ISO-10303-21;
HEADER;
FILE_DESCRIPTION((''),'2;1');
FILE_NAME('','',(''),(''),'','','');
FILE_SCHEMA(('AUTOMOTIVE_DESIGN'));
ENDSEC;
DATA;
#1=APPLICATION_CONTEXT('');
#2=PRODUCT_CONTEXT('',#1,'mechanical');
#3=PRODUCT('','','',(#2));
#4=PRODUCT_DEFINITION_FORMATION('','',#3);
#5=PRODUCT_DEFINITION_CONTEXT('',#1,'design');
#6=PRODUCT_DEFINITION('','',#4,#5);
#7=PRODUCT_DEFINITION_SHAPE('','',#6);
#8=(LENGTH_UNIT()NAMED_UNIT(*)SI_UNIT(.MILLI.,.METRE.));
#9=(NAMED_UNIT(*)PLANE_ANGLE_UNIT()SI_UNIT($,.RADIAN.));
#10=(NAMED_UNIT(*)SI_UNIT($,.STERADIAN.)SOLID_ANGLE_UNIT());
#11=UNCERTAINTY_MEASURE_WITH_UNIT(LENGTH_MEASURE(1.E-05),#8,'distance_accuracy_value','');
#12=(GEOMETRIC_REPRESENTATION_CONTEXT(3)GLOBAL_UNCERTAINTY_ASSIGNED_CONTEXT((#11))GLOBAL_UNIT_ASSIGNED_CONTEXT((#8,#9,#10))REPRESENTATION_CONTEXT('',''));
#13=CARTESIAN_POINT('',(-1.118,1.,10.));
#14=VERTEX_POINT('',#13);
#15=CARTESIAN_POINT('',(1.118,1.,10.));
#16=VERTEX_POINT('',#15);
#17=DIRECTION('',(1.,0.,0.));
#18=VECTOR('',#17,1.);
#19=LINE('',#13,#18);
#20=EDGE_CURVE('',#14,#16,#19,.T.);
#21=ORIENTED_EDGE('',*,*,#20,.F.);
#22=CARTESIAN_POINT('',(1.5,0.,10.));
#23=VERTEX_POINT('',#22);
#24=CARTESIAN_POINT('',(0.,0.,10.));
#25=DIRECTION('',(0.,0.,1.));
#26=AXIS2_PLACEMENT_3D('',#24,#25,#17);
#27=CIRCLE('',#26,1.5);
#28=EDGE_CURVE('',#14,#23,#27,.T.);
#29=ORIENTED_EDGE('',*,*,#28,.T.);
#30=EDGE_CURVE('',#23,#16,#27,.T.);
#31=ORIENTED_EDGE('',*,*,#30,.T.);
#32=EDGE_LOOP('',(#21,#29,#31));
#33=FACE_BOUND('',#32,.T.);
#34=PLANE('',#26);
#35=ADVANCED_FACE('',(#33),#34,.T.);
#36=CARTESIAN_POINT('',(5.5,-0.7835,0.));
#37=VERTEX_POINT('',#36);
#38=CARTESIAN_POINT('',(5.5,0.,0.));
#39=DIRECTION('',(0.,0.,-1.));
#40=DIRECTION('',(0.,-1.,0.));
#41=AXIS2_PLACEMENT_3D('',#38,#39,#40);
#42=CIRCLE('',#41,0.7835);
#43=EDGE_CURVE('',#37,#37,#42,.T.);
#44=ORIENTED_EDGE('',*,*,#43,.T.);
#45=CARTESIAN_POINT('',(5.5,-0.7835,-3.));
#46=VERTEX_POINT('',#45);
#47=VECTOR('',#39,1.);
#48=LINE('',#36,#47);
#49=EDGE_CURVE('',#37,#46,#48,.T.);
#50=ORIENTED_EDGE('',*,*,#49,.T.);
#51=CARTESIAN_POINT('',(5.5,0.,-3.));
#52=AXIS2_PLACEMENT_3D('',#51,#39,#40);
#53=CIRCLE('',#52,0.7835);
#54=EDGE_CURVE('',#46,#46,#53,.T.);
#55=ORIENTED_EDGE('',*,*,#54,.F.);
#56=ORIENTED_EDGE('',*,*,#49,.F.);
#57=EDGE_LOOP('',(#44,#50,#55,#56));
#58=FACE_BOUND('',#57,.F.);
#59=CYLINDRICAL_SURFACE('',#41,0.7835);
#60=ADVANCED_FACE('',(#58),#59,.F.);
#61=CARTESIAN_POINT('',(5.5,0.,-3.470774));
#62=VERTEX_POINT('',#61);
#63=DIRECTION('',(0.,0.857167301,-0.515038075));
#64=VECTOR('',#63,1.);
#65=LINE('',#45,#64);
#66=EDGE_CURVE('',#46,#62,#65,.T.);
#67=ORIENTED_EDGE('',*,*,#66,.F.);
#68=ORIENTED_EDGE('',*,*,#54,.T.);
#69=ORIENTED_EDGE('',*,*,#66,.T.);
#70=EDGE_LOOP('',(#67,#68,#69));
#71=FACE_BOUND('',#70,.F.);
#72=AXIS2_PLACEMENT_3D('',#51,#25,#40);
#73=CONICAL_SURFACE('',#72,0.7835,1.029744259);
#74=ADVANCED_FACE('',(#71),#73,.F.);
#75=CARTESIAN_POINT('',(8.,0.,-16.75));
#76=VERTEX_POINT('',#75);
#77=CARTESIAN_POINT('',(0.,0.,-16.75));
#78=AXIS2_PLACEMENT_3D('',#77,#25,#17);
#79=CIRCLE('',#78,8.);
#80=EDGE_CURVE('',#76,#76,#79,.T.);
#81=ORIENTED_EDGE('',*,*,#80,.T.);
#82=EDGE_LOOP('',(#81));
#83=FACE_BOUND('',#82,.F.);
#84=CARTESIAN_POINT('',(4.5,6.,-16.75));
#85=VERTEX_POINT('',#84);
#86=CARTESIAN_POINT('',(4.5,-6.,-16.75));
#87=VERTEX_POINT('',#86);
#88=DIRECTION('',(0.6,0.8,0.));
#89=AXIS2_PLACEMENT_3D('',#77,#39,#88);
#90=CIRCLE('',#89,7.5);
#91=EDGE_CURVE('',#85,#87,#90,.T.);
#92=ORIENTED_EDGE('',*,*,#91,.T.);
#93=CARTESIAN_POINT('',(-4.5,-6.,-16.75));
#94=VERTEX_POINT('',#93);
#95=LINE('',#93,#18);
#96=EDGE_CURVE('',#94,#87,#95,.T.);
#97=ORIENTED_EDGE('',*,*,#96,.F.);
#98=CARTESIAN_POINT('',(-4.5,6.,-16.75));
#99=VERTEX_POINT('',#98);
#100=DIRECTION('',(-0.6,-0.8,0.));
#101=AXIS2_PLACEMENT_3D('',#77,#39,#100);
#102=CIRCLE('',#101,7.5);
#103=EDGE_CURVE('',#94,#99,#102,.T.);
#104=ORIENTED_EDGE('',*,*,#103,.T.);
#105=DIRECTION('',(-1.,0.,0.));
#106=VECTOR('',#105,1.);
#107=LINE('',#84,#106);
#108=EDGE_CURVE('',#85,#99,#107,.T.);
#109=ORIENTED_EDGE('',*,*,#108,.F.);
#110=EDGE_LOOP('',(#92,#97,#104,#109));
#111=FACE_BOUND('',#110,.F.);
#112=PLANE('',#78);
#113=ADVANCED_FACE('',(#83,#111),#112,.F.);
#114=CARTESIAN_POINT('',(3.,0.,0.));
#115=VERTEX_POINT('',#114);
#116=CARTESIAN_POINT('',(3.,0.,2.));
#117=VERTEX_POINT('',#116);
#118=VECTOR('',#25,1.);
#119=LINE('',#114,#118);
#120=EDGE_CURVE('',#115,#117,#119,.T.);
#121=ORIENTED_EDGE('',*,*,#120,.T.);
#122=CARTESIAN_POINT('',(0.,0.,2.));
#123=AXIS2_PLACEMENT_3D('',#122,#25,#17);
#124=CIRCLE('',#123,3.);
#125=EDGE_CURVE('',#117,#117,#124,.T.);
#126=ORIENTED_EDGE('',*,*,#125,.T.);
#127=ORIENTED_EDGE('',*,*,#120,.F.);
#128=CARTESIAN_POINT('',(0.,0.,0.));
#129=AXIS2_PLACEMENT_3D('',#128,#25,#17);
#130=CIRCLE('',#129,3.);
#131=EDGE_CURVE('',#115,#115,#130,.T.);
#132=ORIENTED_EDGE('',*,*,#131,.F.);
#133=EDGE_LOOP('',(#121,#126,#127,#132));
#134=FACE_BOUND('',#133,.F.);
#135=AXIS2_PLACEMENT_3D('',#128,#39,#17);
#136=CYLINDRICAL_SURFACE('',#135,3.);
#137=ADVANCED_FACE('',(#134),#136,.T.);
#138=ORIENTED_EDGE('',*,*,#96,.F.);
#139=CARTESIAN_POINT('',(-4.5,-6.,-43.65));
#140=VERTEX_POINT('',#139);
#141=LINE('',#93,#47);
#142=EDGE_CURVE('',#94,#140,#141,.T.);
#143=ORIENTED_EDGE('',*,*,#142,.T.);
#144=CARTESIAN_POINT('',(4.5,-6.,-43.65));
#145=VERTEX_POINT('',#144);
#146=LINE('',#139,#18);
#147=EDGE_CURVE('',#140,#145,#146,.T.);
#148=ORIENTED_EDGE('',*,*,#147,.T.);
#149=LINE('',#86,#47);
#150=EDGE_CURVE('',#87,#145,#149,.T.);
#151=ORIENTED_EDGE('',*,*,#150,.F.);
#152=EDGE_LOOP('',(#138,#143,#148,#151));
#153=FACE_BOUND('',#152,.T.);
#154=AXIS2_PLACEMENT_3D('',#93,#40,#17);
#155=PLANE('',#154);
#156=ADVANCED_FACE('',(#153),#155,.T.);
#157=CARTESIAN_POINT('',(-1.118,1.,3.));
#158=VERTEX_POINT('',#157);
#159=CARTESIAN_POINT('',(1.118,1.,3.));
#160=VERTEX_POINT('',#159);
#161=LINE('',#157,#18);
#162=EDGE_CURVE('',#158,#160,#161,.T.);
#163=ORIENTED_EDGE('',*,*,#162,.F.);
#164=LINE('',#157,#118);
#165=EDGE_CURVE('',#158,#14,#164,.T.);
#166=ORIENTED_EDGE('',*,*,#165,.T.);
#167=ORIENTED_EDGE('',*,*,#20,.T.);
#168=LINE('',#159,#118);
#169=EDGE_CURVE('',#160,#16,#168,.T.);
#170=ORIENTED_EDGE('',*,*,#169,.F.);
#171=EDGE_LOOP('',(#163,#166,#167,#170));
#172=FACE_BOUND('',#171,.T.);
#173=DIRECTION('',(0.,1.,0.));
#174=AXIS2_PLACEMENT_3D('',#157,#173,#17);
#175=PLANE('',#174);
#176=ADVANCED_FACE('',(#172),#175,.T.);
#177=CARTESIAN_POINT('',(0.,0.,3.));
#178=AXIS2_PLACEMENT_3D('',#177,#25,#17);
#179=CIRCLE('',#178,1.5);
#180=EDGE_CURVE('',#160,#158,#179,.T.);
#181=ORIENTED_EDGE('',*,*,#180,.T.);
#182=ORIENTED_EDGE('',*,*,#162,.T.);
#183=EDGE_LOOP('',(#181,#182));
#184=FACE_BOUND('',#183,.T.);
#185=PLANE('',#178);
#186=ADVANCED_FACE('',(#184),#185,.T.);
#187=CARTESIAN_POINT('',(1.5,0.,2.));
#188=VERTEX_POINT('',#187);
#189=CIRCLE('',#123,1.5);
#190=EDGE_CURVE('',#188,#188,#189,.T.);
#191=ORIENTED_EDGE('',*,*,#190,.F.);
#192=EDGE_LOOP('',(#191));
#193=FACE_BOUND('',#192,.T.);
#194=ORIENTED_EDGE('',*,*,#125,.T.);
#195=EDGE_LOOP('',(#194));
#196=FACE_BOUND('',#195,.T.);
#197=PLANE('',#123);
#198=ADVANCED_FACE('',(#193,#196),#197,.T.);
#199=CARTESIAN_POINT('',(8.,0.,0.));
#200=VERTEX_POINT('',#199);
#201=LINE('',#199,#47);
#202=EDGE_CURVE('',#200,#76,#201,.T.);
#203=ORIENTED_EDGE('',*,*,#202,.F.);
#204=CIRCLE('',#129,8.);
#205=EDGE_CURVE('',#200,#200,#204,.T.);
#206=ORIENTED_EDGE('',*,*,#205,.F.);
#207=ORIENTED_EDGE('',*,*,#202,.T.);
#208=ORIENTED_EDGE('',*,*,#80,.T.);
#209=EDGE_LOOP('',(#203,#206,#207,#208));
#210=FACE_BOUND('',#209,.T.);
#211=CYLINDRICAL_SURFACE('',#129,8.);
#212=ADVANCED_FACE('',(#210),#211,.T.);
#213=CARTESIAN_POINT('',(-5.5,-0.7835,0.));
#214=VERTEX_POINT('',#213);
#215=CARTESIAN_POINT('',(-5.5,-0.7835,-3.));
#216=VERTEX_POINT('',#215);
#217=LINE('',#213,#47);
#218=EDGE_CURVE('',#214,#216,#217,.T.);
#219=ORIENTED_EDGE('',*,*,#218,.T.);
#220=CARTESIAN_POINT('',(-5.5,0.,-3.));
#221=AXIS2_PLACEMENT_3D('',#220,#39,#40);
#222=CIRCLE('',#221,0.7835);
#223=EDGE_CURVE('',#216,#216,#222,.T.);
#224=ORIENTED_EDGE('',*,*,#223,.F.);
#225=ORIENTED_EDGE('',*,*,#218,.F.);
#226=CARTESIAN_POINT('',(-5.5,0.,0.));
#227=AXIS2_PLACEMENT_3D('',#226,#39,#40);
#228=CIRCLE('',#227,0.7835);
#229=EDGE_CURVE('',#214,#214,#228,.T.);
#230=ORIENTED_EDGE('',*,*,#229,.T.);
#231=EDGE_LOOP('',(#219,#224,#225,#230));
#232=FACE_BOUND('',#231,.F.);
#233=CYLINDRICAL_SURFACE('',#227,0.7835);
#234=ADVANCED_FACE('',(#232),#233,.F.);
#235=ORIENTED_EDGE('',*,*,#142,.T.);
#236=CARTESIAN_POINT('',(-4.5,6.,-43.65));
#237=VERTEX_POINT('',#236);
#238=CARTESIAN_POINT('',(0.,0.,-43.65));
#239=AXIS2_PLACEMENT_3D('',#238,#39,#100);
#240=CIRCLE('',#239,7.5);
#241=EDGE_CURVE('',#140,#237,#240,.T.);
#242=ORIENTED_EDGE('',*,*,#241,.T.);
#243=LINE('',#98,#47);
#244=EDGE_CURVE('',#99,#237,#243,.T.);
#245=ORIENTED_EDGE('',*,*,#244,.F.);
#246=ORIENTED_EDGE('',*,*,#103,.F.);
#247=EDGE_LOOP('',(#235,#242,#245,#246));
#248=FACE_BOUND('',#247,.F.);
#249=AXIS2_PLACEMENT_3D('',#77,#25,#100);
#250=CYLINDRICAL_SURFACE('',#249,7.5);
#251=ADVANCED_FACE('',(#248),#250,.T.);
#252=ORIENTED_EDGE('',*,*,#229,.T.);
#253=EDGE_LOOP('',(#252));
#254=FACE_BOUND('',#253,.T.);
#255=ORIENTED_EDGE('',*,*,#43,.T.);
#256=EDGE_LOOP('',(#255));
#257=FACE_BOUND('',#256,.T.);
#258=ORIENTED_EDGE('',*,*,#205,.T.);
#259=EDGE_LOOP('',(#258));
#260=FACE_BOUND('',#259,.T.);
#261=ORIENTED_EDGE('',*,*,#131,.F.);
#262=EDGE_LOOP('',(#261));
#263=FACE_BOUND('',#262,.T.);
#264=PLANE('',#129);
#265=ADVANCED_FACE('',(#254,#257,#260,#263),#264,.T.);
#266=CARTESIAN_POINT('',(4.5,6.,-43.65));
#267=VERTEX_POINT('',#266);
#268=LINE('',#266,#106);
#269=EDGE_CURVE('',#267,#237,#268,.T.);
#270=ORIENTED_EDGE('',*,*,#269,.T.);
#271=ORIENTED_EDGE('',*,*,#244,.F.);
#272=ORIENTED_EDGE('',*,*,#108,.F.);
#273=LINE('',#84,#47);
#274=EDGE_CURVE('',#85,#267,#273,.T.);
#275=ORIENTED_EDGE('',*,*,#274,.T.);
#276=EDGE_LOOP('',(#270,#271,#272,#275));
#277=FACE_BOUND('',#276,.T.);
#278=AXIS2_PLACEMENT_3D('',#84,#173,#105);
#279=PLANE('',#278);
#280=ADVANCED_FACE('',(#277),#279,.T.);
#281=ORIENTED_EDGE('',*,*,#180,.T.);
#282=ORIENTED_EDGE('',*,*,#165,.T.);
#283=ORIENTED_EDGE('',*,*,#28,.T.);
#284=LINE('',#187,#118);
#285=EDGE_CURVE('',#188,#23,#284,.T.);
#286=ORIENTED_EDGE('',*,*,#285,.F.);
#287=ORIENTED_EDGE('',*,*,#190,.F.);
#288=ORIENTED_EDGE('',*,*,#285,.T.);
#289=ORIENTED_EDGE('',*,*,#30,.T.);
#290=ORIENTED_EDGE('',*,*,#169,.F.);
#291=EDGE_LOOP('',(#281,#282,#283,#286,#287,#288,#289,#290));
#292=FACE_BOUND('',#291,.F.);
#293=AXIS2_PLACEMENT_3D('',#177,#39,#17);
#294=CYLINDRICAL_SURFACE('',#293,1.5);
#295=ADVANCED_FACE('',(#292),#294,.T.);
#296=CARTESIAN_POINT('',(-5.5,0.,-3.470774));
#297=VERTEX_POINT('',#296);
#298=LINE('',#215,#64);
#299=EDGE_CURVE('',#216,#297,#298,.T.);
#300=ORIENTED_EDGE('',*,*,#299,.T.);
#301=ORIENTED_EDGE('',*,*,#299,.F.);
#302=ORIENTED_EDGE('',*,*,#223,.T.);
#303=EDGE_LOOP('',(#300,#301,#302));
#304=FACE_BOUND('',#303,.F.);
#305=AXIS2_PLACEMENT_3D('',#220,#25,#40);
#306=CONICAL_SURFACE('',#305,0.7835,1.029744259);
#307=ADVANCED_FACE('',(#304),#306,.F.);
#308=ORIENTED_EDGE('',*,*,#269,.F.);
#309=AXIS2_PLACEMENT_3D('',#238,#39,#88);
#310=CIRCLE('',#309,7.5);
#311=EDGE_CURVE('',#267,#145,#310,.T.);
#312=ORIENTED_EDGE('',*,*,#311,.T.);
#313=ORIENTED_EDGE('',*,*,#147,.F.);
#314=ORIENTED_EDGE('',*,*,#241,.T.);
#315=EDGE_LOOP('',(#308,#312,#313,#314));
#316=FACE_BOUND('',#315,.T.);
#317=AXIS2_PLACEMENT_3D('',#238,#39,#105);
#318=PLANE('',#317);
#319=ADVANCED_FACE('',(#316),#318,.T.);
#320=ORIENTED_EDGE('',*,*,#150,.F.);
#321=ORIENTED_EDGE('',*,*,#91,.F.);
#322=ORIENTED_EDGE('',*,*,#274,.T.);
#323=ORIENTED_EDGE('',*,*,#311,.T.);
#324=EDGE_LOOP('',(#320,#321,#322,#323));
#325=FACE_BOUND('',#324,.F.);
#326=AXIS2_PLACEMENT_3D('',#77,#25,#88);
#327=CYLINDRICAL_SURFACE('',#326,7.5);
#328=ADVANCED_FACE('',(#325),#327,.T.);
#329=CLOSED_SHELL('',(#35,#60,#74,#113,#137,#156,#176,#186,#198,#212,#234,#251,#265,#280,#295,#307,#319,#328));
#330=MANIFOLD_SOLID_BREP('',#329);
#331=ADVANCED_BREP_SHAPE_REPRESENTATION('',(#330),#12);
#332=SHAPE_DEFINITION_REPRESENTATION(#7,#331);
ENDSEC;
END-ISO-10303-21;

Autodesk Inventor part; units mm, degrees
ref_plane "YZ Plane" through (0, 0, 0) normal (1, 0, 0) x (0, 1, 0)
ref_plane "XZ Plane" through (0, 0, 0) normal (0, 1, 0) x (-1, 0, 0)
ref_plane "XY Plane" through (0, 0, 0) normal (0, 0, 1) x (1, 0, 0)
sketch "Skizze1" plane through (0, 0, 0) normal (0, 0, 1) x (1, 0, 0)
  circle A0 centre (0, 0) radius 8
  line L0 (-5.5, 0) -> (5.5, 0) construction
  circle A1 centre (0, 0) radius 3
  circle A2 centre (0, 0) radius 1.5
  arc A3 (-1.118, 1) -> (1.118, 1) centre (0, 0) ccw construction
  line L1 (-1.118, 1) -> (1.118, 1)
  dimension "d3" = 3
  dimension "d0" = 16
  dimension "d1" = 11
  dimension "d2" = 6
  dimension "d4" = 2.5
extrude "Extrusion1" add sketch "Skizze1" along normal blind 2 contours A1 | A2 L1 | L1 A2
sketch "Skizze2" plane through (0, 0, 2) normal (0, 0, 1) x (1, 0, 0)
  circle A0 centre (0, 0) radius 1.5 projected
extrude "Extrusion2" add sketch "Skizze2" along normal blind 1
sketch "Skizze3" plane through (0, 0, 3) normal (0, 0, 1) x (1, 0, 0)
  circle A0 centre (0, 0) radius 1.5 projected
  line L0 (-1.118, 1) -> (1.118, 1) projected
  circle A1 centre (0, 0) radius 1.5 projected
extrude "Extrusion3" add sketch "Skizze3" along normal blind 7 contours A0 L0 picked at (0.0594, 0.1702)
extrude "Extrusion4" add sketch "Skizze1" against normal blind 16.75 contours A0 | A1 | A2 L1 | L1 A2
sketch "Skizze4" plane through (0, 0, -16.75) normal (0, 0, -1) x (-1, 0, 0)
  circle A0 centre (0, 0) radius 8 projected
  arc A1 (-4.5, 6) -> (-4.5, -6) centre (0, 0) ccw
  arc A2 (4.5, -6) -> (4.5, 6) centre (0, 0) ccw
  line L0 (-4.5, 6) -> (4.5, 6)
  line L1 (4.5, -6) -> (-4.5, -6)
  dimension "d14" = 7.5
  dimension "d15" = 12
extrude "Extrusion5" add sketch "Skizze4" along normal blind 26.9 contours L0 A2 L1 A1
hole "Bohrung1" at (-5.5, 0, 0) at (5.5, 0, 0) direction (0, 0, -1) diameter 1.567 depth 3 tip angle 118 thread size "M2x0.4" class "6H" standard "ANSI Metric M Profile"
properties part number "DC-Motor_12V_150U-min" material "Aluminium 6061"
